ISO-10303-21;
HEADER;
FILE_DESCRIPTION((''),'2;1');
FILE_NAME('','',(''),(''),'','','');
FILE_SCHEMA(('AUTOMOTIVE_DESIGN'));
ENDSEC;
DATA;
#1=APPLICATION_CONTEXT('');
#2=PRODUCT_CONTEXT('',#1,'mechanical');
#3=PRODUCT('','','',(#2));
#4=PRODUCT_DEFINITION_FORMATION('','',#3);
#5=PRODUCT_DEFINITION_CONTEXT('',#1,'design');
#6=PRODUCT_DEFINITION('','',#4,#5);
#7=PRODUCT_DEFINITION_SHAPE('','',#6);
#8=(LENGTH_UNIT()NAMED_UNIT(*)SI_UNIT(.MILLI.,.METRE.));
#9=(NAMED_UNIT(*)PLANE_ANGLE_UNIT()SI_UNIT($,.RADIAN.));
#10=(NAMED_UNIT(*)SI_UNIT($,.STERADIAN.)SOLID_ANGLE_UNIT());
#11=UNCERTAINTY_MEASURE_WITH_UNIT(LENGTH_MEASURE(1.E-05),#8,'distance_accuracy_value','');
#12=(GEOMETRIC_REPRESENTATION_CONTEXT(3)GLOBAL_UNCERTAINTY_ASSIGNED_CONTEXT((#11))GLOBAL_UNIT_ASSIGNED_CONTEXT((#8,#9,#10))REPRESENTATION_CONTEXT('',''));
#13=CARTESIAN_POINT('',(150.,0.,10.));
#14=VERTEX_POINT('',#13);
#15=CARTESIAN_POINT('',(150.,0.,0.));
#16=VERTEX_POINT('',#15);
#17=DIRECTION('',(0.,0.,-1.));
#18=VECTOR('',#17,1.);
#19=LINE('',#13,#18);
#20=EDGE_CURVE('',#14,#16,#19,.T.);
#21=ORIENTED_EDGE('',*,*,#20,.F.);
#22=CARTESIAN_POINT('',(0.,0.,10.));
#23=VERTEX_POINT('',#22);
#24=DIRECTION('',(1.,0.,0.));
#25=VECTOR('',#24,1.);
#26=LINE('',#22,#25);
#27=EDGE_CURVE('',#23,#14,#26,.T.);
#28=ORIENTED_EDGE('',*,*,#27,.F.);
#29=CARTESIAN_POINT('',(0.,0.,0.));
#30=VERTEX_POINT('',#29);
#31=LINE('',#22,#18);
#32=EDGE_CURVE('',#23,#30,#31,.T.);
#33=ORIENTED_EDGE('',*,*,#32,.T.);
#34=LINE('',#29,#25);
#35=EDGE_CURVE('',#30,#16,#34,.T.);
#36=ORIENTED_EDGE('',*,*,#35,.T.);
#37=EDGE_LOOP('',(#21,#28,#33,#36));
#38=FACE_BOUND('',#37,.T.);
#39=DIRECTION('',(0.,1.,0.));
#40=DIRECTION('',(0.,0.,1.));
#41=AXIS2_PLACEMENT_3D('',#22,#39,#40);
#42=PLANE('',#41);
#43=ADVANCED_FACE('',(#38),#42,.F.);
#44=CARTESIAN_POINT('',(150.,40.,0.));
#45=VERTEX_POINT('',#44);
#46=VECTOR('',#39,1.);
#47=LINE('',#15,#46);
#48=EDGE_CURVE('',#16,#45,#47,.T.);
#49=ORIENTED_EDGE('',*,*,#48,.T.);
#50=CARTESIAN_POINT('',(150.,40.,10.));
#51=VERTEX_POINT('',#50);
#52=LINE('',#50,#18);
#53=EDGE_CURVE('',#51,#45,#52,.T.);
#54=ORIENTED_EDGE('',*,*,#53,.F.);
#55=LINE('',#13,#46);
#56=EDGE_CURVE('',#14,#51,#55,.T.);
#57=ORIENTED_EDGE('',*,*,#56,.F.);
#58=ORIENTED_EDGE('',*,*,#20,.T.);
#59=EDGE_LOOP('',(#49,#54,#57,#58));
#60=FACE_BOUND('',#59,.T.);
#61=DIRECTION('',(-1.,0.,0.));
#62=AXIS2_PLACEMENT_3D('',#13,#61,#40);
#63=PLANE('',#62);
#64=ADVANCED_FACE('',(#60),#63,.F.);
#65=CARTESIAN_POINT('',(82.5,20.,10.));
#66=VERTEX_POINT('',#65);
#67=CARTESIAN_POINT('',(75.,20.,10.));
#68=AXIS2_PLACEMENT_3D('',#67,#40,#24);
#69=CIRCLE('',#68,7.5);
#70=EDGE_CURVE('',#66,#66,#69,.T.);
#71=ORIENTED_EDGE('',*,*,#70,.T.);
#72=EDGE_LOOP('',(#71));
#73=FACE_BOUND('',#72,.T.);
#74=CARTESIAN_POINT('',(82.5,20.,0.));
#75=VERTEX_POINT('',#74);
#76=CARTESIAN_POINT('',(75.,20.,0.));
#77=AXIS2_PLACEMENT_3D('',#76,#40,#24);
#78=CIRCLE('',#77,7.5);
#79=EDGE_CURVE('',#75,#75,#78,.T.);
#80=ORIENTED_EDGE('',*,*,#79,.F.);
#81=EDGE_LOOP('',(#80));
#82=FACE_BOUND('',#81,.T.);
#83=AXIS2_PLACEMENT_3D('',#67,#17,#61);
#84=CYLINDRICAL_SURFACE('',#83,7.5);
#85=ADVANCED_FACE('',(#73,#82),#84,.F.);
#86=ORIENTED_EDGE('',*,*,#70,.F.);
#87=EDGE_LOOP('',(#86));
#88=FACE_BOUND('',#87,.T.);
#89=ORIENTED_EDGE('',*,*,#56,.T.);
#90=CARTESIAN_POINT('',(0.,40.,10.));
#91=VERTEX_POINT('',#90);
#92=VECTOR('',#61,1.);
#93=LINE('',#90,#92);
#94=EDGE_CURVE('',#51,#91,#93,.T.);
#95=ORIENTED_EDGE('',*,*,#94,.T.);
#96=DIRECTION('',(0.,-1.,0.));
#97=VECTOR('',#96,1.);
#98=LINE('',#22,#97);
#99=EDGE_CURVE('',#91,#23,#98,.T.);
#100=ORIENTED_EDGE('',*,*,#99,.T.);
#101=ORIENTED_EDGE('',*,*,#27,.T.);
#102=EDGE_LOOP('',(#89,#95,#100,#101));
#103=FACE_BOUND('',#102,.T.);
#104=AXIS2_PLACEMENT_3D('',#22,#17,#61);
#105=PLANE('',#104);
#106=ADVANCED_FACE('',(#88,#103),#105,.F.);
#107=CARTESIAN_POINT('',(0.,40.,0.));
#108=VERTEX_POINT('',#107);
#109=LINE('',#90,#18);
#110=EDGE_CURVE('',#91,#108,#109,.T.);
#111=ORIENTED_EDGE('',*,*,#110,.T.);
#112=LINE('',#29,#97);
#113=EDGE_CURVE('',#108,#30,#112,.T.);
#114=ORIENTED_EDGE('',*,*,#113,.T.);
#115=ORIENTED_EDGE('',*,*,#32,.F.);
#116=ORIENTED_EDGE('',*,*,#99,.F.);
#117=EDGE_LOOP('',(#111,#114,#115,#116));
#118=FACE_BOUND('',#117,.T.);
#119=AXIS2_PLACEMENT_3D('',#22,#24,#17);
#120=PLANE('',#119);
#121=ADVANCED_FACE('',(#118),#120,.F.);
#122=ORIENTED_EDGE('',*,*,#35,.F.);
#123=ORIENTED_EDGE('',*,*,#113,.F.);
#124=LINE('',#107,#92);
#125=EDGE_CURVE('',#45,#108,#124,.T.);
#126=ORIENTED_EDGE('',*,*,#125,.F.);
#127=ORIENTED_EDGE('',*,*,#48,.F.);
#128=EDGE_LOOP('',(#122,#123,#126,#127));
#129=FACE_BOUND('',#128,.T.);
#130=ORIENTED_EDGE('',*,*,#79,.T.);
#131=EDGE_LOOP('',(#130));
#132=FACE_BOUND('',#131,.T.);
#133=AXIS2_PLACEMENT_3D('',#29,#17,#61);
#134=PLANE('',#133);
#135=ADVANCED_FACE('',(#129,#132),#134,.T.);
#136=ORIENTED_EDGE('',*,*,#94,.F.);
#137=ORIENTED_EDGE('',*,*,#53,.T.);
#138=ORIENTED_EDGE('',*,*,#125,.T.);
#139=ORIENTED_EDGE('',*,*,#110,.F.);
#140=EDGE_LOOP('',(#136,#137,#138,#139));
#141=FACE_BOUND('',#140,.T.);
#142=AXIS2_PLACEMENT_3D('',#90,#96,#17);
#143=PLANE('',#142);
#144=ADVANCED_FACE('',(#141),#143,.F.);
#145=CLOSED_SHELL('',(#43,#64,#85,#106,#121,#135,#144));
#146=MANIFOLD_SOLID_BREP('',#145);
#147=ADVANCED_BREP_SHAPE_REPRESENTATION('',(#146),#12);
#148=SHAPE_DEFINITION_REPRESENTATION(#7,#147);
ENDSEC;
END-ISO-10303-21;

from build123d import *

# Parameters (mm, degrees)
CROQUIS1_W              = 150
CROQUIS1_H              = 40
CROQUIS1_R              = 7.5
SALIENTE_EXTRUIR1_DEPTH = 10


with BuildPart() as part:
    # Croquis1 → Saliente-Extruir1 (new body)
    with BuildSketch(Plane.XY):
        with Locations((75, 20)):
            Rectangle(CROQUIS1_W, CROQUIS1_H)
        with Locations((75, 20)):
            Circle(CROQUIS1_R, mode=Mode.SUBTRACT)
    extrude(amount=SALIENTE_EXTRUIR1_DEPTH)


solid = part.part
